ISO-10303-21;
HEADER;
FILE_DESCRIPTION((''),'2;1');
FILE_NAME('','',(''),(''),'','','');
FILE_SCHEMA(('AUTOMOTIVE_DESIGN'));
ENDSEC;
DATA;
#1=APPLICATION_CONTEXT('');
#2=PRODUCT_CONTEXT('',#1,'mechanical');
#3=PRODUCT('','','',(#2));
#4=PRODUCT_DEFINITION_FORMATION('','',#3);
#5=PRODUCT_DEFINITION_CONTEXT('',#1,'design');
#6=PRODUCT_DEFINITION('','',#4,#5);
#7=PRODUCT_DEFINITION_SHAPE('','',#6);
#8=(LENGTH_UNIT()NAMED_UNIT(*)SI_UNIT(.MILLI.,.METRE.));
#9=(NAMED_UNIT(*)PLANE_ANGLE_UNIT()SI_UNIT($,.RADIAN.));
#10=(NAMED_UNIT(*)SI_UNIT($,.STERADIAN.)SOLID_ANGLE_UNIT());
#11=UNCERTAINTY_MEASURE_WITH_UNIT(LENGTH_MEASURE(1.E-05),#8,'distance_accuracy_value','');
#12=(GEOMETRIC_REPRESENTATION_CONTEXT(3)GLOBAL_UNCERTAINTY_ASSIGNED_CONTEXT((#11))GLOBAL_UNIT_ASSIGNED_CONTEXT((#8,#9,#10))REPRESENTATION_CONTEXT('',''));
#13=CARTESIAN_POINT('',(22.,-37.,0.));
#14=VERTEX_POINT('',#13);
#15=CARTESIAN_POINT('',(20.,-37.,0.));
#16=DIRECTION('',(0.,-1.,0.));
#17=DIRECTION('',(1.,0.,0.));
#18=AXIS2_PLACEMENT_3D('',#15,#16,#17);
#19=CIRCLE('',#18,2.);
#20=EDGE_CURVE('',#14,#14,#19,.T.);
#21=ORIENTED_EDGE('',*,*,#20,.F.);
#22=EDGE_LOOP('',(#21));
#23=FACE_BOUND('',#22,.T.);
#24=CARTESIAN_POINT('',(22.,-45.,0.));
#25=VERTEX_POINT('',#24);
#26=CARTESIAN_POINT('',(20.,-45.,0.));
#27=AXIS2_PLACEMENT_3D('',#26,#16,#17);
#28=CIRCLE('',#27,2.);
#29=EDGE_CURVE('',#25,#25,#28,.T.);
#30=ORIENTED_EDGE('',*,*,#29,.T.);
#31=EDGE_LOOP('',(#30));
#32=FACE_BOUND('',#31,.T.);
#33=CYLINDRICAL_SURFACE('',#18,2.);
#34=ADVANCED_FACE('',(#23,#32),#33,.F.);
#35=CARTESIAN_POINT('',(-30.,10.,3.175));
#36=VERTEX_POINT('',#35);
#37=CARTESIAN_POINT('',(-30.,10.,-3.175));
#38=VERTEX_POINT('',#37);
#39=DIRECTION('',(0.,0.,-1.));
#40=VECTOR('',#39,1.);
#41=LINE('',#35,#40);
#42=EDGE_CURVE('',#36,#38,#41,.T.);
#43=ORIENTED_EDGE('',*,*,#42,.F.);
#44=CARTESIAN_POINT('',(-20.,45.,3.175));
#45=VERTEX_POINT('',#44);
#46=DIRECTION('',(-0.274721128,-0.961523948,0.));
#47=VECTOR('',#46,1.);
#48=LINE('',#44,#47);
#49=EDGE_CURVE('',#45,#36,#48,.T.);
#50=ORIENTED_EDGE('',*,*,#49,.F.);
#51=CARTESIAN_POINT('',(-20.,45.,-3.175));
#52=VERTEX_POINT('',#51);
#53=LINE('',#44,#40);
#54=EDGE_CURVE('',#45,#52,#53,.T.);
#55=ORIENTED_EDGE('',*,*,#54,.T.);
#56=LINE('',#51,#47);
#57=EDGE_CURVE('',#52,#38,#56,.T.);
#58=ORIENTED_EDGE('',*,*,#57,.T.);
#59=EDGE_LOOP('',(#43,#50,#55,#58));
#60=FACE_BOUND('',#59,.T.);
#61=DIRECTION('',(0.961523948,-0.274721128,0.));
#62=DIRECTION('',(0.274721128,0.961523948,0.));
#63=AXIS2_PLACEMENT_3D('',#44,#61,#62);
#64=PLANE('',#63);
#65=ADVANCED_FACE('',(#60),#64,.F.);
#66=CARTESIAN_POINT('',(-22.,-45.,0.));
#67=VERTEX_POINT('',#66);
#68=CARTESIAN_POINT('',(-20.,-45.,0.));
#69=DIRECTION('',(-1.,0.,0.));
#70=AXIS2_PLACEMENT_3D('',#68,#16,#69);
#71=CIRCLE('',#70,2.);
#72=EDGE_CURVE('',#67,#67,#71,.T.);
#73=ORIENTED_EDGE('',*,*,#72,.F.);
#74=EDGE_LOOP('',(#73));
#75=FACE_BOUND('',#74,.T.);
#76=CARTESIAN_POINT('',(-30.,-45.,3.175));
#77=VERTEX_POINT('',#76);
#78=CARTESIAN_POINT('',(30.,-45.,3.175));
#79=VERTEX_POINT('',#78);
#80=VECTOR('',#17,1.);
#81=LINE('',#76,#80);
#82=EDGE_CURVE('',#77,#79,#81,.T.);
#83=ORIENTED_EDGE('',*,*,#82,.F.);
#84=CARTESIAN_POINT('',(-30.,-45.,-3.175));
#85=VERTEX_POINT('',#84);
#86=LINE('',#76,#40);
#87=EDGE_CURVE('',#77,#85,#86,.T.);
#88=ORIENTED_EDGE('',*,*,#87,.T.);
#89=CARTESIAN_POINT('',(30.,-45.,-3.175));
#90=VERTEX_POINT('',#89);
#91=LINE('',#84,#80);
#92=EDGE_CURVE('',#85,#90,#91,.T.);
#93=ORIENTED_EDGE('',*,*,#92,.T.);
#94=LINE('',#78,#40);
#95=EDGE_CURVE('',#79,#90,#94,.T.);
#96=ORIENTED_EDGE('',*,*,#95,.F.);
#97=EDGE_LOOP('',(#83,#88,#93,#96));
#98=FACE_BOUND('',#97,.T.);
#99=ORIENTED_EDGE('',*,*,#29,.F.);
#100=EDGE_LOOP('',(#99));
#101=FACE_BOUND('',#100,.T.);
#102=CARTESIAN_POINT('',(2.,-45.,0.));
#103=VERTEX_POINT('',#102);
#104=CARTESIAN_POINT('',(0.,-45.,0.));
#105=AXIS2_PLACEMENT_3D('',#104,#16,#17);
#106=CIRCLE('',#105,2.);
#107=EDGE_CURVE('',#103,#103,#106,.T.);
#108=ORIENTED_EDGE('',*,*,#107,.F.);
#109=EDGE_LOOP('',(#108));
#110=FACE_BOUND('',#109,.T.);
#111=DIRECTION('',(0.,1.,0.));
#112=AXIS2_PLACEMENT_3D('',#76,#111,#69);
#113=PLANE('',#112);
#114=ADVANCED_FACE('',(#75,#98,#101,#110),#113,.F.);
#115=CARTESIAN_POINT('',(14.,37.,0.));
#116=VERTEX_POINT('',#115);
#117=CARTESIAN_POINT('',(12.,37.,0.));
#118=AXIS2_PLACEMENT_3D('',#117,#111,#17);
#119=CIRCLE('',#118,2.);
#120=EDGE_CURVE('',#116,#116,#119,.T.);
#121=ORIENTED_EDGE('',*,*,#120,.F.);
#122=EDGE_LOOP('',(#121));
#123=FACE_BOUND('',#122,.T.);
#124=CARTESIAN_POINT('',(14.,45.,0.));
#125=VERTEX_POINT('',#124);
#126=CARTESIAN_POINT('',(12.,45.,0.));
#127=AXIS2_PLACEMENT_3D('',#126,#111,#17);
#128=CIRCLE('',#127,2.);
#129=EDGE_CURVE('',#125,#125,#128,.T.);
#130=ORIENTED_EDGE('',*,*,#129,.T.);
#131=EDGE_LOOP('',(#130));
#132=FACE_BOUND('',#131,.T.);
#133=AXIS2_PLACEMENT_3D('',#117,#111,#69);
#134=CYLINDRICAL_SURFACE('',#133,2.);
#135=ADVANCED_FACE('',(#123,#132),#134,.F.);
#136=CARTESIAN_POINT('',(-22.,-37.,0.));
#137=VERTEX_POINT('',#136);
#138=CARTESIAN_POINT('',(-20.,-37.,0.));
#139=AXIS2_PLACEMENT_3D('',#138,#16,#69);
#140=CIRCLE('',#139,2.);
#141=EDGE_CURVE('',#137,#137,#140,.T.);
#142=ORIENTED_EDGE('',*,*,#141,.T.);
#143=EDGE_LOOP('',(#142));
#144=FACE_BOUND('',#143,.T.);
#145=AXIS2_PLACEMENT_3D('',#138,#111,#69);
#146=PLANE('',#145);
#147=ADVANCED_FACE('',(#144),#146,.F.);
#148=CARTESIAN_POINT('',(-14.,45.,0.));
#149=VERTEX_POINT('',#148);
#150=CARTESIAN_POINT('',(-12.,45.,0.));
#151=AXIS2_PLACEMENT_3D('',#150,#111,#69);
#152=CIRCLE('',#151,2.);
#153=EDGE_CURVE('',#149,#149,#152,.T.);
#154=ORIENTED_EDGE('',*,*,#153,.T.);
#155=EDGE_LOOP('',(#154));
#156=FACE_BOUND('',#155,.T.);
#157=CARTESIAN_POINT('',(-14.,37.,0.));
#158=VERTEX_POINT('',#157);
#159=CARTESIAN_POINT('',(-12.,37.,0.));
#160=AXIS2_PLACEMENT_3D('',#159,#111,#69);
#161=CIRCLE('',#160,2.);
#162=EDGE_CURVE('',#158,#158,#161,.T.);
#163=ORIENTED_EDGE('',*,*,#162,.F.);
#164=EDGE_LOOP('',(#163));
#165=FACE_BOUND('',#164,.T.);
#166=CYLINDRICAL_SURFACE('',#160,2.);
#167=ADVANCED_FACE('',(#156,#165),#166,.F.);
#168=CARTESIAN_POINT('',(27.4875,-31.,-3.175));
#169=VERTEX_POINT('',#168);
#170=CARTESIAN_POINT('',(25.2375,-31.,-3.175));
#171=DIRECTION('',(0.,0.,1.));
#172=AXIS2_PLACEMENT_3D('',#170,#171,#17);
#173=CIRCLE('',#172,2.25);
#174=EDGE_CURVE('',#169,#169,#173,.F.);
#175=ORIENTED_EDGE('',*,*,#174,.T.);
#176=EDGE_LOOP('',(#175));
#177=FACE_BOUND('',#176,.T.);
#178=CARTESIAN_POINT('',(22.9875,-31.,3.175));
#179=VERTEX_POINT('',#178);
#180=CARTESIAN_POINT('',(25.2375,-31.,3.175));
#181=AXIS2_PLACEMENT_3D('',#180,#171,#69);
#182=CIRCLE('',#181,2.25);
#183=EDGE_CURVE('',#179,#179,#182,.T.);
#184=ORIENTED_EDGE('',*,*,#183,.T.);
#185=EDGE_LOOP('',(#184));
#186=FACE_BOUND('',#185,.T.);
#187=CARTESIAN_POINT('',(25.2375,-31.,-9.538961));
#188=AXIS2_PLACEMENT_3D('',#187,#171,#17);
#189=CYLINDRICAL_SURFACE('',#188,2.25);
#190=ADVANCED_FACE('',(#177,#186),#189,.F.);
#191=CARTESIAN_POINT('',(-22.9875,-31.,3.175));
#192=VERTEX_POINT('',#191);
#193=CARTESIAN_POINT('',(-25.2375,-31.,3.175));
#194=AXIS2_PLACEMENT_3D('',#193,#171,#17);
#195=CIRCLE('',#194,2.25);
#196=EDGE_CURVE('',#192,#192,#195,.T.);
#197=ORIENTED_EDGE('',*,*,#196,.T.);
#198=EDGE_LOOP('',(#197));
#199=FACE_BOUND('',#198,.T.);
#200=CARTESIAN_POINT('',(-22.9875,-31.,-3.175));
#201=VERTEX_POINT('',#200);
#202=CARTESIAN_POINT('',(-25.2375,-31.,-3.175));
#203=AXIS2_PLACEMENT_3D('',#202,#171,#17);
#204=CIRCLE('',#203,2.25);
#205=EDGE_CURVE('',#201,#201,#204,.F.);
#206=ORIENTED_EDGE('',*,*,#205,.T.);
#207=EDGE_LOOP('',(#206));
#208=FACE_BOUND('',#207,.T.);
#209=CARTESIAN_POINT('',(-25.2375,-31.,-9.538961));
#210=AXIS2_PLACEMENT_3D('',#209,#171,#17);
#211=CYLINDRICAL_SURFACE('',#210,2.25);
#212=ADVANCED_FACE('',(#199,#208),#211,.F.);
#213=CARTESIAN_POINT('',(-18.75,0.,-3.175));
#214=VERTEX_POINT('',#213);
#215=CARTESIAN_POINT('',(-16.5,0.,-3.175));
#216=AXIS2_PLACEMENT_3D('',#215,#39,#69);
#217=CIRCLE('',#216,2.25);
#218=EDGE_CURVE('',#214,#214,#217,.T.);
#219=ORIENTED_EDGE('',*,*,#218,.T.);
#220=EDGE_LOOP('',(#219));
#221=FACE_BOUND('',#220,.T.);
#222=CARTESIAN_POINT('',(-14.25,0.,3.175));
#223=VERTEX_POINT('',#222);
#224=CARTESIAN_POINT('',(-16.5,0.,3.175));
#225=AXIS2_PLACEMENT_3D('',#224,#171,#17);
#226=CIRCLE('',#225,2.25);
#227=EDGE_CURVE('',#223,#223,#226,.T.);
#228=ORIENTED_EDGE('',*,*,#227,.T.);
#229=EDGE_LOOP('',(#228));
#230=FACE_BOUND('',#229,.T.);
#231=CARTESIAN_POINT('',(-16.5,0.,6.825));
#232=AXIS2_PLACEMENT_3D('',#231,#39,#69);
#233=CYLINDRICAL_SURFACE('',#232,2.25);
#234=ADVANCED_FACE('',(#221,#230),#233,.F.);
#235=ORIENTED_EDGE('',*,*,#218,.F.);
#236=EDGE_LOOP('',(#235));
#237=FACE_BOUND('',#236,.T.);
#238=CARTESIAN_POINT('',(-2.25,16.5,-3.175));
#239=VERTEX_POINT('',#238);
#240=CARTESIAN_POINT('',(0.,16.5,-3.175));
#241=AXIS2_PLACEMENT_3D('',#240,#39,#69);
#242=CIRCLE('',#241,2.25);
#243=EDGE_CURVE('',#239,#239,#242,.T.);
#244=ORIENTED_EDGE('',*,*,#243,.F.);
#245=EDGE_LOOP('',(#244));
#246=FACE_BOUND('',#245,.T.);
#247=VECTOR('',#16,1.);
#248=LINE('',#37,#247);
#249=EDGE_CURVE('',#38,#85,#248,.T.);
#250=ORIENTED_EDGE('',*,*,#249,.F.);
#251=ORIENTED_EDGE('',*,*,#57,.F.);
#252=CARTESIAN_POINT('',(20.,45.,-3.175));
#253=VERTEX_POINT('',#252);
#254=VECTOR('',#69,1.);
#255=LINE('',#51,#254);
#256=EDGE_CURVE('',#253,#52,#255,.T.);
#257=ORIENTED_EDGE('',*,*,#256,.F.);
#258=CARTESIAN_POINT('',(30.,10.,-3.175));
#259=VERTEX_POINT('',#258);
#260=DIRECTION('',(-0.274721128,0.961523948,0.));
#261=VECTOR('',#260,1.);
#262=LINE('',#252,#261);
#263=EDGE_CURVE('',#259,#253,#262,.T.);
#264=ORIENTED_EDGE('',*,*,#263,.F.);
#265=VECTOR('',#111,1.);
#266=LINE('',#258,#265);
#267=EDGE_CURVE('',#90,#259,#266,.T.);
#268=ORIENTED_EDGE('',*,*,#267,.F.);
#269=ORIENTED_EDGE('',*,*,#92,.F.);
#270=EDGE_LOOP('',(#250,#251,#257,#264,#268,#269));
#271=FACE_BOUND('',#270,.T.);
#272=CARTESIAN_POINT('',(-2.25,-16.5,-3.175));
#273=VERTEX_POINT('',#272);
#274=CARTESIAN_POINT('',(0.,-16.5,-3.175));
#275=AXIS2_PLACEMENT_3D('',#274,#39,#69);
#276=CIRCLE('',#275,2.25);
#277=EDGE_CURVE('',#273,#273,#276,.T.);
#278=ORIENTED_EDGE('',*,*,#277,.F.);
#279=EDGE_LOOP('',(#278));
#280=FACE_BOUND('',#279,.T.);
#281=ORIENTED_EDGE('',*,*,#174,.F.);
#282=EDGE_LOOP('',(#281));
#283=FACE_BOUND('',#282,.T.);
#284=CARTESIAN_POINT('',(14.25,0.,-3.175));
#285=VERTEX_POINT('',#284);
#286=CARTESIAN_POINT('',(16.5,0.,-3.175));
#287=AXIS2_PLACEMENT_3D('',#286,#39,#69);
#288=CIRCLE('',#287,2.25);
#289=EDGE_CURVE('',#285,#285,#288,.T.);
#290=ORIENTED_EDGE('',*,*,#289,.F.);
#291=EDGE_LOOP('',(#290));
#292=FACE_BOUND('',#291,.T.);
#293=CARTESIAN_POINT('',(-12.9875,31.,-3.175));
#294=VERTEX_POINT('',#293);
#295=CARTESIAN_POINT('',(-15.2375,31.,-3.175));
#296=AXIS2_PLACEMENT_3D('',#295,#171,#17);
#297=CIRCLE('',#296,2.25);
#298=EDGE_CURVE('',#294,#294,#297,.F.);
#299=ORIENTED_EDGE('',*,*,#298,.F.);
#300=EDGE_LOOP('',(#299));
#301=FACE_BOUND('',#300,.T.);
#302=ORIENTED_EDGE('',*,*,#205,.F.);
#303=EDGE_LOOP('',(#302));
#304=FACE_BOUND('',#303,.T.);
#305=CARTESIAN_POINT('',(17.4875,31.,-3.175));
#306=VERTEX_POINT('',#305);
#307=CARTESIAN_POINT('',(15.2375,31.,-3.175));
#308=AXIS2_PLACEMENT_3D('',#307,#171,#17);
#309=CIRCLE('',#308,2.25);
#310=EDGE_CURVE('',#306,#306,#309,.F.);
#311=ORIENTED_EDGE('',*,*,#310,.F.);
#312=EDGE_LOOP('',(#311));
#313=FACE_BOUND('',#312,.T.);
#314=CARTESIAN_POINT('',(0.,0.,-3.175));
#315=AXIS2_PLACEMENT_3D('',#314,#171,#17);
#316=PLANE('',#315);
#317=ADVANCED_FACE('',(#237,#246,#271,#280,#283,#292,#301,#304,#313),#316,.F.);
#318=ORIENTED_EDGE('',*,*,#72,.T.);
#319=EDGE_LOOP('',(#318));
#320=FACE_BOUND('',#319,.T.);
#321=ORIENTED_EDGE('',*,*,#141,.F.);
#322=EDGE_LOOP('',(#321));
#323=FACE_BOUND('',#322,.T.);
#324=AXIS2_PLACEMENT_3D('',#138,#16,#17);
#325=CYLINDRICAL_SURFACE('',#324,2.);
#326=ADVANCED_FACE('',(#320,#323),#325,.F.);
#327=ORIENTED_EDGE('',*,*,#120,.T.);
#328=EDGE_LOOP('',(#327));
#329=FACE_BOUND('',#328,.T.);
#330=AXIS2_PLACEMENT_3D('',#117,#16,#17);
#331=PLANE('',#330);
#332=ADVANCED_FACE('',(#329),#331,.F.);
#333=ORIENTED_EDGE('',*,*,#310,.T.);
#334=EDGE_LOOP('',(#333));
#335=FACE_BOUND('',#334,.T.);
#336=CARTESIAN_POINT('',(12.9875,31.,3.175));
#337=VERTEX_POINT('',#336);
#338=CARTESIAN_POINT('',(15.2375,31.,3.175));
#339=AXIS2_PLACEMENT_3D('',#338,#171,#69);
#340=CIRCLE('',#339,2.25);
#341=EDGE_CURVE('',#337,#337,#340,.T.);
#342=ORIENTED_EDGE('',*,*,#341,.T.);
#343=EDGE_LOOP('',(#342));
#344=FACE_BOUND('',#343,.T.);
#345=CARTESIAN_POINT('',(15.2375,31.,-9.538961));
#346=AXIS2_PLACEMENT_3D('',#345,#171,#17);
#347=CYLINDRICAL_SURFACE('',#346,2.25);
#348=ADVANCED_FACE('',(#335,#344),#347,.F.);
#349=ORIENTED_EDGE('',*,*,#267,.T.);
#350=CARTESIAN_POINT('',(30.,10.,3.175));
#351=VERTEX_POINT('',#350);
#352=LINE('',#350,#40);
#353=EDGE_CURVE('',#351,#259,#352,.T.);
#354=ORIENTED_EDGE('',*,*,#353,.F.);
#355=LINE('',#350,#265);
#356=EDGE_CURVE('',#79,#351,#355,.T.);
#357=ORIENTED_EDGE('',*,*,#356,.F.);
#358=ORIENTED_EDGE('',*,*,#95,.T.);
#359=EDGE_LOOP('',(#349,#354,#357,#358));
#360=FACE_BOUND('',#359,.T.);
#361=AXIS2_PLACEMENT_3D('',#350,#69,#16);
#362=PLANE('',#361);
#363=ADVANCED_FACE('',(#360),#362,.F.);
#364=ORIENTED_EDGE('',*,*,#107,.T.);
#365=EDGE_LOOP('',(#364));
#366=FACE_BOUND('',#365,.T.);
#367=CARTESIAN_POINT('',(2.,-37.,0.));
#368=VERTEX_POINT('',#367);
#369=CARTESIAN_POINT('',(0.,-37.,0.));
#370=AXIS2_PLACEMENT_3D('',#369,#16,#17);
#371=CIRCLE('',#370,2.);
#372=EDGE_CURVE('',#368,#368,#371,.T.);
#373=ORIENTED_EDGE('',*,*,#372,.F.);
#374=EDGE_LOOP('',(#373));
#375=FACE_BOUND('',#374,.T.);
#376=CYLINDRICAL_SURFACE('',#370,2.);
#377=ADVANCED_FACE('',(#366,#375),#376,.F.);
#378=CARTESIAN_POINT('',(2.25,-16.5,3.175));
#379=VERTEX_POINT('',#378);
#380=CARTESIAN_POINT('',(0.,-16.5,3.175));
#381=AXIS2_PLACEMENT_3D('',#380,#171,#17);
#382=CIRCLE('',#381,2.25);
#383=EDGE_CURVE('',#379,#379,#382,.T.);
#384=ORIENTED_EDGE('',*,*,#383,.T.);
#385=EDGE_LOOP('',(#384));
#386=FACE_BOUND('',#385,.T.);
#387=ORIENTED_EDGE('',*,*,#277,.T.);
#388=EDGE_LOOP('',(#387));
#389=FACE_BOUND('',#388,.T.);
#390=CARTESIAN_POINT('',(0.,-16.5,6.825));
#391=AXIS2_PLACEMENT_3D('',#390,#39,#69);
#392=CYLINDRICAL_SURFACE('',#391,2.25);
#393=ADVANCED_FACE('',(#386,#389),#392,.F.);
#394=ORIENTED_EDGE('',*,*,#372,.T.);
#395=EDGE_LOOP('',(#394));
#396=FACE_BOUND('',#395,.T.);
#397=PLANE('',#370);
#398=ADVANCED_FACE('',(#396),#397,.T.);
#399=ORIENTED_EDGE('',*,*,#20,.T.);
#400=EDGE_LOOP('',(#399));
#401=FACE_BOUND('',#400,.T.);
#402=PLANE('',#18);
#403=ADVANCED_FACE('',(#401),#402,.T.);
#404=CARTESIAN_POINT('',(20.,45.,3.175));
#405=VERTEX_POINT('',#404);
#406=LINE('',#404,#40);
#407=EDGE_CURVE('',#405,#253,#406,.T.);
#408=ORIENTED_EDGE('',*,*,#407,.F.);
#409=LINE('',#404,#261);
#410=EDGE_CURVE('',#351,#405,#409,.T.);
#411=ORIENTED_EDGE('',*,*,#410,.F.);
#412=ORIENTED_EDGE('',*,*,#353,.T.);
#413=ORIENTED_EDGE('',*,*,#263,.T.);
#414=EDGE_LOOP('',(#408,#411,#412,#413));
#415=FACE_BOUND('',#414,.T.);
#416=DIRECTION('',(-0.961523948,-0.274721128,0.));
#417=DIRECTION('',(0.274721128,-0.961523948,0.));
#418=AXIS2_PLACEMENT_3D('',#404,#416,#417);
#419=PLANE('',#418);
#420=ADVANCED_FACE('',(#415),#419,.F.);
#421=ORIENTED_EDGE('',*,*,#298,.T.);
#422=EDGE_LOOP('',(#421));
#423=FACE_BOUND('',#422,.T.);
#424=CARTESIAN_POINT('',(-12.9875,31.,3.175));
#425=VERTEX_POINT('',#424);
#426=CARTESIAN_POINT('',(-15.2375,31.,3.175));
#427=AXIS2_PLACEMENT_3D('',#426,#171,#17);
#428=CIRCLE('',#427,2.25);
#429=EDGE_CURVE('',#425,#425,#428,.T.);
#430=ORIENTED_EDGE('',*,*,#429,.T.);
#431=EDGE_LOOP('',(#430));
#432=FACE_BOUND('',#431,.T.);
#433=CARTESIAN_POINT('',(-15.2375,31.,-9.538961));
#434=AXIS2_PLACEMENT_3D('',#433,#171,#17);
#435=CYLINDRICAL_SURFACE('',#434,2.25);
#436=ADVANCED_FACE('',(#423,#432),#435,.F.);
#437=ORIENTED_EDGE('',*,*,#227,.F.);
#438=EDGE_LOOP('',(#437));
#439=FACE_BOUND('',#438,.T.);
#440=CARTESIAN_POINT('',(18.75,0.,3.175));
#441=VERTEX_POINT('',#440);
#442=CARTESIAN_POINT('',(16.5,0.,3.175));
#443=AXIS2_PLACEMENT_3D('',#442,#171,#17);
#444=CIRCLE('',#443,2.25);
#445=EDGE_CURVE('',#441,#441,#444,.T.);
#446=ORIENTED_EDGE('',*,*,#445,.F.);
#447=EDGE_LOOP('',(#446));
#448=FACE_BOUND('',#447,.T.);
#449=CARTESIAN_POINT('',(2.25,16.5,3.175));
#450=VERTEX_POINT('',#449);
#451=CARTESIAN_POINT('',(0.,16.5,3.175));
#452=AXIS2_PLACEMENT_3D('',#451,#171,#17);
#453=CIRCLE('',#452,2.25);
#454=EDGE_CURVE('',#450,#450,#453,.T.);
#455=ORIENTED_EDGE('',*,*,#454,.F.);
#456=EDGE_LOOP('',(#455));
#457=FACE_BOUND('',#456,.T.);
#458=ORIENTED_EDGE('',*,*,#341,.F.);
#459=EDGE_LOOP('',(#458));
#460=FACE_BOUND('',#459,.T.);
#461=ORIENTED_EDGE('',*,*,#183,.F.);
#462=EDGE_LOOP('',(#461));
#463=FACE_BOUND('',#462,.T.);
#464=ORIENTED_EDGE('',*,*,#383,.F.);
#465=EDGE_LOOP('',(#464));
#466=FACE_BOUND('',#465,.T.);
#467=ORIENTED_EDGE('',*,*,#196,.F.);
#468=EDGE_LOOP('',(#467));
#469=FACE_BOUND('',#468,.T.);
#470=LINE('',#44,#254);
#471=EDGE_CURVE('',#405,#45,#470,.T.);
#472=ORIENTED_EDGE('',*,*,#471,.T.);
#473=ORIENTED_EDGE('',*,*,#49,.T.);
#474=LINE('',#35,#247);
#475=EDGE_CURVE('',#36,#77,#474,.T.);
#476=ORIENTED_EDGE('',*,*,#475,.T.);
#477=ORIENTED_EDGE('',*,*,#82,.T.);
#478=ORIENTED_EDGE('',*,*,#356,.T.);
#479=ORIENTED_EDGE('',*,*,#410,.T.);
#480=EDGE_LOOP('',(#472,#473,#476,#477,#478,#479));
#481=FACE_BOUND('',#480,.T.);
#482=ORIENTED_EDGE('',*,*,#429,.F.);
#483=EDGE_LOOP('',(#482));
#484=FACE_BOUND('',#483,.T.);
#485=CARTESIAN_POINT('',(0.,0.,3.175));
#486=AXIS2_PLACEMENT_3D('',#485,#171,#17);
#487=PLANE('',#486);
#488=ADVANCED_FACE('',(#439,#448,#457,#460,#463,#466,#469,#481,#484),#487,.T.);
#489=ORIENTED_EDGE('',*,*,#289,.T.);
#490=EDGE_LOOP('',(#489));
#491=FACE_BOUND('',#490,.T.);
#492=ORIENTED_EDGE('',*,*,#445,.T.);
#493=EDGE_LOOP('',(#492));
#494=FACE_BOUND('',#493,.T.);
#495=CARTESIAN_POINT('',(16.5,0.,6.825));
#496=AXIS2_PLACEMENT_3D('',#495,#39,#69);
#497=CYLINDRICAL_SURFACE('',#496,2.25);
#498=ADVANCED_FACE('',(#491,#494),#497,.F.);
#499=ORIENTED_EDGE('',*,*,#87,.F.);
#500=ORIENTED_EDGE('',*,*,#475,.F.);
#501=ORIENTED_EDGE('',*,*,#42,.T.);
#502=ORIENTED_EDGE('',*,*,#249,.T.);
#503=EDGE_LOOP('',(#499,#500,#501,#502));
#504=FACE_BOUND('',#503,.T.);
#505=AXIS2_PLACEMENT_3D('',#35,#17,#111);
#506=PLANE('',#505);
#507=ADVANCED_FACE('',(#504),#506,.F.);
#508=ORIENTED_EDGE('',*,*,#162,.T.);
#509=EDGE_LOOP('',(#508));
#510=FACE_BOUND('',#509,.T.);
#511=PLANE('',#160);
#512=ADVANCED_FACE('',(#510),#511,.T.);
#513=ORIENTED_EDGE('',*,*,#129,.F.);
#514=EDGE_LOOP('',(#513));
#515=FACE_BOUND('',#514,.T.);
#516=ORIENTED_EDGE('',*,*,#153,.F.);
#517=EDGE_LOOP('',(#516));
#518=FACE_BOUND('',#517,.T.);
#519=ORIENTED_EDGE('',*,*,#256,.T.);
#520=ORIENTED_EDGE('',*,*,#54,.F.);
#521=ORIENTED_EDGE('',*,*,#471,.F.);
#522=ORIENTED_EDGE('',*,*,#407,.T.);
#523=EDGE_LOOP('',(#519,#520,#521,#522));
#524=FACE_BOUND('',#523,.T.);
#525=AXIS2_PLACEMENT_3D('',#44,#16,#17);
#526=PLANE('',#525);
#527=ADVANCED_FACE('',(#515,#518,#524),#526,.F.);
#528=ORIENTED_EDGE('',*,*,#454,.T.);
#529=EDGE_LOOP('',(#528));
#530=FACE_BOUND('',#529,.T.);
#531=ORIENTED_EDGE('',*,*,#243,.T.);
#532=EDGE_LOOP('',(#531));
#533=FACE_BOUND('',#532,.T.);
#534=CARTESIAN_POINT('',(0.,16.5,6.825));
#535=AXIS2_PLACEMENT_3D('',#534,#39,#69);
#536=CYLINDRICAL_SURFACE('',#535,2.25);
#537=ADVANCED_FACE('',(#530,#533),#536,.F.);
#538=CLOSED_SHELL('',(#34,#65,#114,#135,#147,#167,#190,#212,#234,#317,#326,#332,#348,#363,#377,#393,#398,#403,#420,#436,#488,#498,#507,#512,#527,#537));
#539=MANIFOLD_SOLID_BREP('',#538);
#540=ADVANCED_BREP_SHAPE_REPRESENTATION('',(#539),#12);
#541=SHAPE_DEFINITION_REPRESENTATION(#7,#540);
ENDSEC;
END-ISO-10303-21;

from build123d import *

# Parameters (mm, degrees)
EXTRUDE_1_4_DEPTH = 3.175
SKETCH4_R         = 2
M4_DRILL_DEPTH    = 8
SKETCH5_R         = 2
M4_DRILL2_DEPTH   = 8
SKETCH6_R         = 2.25
M4_THROUGH_DEPTH  = 6.35
SKETCH8_R         = 2.25
M4_THROUGH2_DEPTH = 10


with BuildPart() as part:
    # Sketch1 → 1/4 (new, symmetric)
    with BuildSketch(Plane.XY):
        Polygon((-20, 45), (20, 45), (30, 10), (30, -45), (-30, -45), (-30, 10), align=None)
    extrude(amount=EXTRUDE_1_4_DEPTH, both=True)

    # Sketch4 → M4_DRILL (cut)
    with BuildSketch(Plane(origin=(0, 45, 0), x_dir=(1, 0, 0), z_dir=(0, 1, 0))):
        with Locations(Location((-12, 0, 0), (0, 0, 180))):
            Circle(SKETCH4_R)
        with Locations((12, 0)):
            Circle(SKETCH4_R)
    extrude(amount=-M4_DRILL_DEPTH, mode=Mode.SUBTRACT)

    # Sketch5 → M4_DRILL2 (cut)
    with BuildSketch(Plane(origin=(0, -45, 0), x_dir=(-1, 0, 0), z_dir=(0, -1, 0))):
        with Locations(Location((-20, 0, 0), (0, 0, 180))):
            Circle(SKETCH5_R)
        with Locations((20, 0)):
            Circle(SKETCH5_R)
        with Locations(Location((0, 0, 0), (0, 0, 180))):
            Circle(SKETCH5_R)
    extrude(amount=-M4_DRILL2_DEPTH, mode=Mode.SUBTRACT)

    # Sketch6 → M4_through (cut)
    with BuildSketch(Plane.XY.offset(3.175)):
        with Locations((-25.2375, -31)):
            Circle(SKETCH6_R)
        with Locations((25.2375, -31)):
            Circle(SKETCH6_R)
        with Locations((-15.2375, 31)):
            Circle(SKETCH6_R)
        with Locations((15.2375, 31)):
            Circle(SKETCH6_R)
    extrude(amount=-M4_THROUGH_DEPTH, mode=Mode.SUBTRACT)

    # Sketch8 → M4_through2 (cut)
    with BuildSketch(Plane(origin=(0, 0, -3.175), x_dir=(-1, 0, 0), z_dir=(0, 0, -1))):
        with Locations((0, 16.5)):
            Circle(SKETCH8_R)
        with Locations((16.5, 0)):
            Circle(SKETCH8_R)
        with Locations((0, -16.5)):
            Circle(SKETCH8_R)
        with Locations((-16.5, 0)):
            Circle(SKETCH8_R)
    extrude(amount=-M4_THROUGH2_DEPTH, mode=Mode.SUBTRACT)


solid = part.part
